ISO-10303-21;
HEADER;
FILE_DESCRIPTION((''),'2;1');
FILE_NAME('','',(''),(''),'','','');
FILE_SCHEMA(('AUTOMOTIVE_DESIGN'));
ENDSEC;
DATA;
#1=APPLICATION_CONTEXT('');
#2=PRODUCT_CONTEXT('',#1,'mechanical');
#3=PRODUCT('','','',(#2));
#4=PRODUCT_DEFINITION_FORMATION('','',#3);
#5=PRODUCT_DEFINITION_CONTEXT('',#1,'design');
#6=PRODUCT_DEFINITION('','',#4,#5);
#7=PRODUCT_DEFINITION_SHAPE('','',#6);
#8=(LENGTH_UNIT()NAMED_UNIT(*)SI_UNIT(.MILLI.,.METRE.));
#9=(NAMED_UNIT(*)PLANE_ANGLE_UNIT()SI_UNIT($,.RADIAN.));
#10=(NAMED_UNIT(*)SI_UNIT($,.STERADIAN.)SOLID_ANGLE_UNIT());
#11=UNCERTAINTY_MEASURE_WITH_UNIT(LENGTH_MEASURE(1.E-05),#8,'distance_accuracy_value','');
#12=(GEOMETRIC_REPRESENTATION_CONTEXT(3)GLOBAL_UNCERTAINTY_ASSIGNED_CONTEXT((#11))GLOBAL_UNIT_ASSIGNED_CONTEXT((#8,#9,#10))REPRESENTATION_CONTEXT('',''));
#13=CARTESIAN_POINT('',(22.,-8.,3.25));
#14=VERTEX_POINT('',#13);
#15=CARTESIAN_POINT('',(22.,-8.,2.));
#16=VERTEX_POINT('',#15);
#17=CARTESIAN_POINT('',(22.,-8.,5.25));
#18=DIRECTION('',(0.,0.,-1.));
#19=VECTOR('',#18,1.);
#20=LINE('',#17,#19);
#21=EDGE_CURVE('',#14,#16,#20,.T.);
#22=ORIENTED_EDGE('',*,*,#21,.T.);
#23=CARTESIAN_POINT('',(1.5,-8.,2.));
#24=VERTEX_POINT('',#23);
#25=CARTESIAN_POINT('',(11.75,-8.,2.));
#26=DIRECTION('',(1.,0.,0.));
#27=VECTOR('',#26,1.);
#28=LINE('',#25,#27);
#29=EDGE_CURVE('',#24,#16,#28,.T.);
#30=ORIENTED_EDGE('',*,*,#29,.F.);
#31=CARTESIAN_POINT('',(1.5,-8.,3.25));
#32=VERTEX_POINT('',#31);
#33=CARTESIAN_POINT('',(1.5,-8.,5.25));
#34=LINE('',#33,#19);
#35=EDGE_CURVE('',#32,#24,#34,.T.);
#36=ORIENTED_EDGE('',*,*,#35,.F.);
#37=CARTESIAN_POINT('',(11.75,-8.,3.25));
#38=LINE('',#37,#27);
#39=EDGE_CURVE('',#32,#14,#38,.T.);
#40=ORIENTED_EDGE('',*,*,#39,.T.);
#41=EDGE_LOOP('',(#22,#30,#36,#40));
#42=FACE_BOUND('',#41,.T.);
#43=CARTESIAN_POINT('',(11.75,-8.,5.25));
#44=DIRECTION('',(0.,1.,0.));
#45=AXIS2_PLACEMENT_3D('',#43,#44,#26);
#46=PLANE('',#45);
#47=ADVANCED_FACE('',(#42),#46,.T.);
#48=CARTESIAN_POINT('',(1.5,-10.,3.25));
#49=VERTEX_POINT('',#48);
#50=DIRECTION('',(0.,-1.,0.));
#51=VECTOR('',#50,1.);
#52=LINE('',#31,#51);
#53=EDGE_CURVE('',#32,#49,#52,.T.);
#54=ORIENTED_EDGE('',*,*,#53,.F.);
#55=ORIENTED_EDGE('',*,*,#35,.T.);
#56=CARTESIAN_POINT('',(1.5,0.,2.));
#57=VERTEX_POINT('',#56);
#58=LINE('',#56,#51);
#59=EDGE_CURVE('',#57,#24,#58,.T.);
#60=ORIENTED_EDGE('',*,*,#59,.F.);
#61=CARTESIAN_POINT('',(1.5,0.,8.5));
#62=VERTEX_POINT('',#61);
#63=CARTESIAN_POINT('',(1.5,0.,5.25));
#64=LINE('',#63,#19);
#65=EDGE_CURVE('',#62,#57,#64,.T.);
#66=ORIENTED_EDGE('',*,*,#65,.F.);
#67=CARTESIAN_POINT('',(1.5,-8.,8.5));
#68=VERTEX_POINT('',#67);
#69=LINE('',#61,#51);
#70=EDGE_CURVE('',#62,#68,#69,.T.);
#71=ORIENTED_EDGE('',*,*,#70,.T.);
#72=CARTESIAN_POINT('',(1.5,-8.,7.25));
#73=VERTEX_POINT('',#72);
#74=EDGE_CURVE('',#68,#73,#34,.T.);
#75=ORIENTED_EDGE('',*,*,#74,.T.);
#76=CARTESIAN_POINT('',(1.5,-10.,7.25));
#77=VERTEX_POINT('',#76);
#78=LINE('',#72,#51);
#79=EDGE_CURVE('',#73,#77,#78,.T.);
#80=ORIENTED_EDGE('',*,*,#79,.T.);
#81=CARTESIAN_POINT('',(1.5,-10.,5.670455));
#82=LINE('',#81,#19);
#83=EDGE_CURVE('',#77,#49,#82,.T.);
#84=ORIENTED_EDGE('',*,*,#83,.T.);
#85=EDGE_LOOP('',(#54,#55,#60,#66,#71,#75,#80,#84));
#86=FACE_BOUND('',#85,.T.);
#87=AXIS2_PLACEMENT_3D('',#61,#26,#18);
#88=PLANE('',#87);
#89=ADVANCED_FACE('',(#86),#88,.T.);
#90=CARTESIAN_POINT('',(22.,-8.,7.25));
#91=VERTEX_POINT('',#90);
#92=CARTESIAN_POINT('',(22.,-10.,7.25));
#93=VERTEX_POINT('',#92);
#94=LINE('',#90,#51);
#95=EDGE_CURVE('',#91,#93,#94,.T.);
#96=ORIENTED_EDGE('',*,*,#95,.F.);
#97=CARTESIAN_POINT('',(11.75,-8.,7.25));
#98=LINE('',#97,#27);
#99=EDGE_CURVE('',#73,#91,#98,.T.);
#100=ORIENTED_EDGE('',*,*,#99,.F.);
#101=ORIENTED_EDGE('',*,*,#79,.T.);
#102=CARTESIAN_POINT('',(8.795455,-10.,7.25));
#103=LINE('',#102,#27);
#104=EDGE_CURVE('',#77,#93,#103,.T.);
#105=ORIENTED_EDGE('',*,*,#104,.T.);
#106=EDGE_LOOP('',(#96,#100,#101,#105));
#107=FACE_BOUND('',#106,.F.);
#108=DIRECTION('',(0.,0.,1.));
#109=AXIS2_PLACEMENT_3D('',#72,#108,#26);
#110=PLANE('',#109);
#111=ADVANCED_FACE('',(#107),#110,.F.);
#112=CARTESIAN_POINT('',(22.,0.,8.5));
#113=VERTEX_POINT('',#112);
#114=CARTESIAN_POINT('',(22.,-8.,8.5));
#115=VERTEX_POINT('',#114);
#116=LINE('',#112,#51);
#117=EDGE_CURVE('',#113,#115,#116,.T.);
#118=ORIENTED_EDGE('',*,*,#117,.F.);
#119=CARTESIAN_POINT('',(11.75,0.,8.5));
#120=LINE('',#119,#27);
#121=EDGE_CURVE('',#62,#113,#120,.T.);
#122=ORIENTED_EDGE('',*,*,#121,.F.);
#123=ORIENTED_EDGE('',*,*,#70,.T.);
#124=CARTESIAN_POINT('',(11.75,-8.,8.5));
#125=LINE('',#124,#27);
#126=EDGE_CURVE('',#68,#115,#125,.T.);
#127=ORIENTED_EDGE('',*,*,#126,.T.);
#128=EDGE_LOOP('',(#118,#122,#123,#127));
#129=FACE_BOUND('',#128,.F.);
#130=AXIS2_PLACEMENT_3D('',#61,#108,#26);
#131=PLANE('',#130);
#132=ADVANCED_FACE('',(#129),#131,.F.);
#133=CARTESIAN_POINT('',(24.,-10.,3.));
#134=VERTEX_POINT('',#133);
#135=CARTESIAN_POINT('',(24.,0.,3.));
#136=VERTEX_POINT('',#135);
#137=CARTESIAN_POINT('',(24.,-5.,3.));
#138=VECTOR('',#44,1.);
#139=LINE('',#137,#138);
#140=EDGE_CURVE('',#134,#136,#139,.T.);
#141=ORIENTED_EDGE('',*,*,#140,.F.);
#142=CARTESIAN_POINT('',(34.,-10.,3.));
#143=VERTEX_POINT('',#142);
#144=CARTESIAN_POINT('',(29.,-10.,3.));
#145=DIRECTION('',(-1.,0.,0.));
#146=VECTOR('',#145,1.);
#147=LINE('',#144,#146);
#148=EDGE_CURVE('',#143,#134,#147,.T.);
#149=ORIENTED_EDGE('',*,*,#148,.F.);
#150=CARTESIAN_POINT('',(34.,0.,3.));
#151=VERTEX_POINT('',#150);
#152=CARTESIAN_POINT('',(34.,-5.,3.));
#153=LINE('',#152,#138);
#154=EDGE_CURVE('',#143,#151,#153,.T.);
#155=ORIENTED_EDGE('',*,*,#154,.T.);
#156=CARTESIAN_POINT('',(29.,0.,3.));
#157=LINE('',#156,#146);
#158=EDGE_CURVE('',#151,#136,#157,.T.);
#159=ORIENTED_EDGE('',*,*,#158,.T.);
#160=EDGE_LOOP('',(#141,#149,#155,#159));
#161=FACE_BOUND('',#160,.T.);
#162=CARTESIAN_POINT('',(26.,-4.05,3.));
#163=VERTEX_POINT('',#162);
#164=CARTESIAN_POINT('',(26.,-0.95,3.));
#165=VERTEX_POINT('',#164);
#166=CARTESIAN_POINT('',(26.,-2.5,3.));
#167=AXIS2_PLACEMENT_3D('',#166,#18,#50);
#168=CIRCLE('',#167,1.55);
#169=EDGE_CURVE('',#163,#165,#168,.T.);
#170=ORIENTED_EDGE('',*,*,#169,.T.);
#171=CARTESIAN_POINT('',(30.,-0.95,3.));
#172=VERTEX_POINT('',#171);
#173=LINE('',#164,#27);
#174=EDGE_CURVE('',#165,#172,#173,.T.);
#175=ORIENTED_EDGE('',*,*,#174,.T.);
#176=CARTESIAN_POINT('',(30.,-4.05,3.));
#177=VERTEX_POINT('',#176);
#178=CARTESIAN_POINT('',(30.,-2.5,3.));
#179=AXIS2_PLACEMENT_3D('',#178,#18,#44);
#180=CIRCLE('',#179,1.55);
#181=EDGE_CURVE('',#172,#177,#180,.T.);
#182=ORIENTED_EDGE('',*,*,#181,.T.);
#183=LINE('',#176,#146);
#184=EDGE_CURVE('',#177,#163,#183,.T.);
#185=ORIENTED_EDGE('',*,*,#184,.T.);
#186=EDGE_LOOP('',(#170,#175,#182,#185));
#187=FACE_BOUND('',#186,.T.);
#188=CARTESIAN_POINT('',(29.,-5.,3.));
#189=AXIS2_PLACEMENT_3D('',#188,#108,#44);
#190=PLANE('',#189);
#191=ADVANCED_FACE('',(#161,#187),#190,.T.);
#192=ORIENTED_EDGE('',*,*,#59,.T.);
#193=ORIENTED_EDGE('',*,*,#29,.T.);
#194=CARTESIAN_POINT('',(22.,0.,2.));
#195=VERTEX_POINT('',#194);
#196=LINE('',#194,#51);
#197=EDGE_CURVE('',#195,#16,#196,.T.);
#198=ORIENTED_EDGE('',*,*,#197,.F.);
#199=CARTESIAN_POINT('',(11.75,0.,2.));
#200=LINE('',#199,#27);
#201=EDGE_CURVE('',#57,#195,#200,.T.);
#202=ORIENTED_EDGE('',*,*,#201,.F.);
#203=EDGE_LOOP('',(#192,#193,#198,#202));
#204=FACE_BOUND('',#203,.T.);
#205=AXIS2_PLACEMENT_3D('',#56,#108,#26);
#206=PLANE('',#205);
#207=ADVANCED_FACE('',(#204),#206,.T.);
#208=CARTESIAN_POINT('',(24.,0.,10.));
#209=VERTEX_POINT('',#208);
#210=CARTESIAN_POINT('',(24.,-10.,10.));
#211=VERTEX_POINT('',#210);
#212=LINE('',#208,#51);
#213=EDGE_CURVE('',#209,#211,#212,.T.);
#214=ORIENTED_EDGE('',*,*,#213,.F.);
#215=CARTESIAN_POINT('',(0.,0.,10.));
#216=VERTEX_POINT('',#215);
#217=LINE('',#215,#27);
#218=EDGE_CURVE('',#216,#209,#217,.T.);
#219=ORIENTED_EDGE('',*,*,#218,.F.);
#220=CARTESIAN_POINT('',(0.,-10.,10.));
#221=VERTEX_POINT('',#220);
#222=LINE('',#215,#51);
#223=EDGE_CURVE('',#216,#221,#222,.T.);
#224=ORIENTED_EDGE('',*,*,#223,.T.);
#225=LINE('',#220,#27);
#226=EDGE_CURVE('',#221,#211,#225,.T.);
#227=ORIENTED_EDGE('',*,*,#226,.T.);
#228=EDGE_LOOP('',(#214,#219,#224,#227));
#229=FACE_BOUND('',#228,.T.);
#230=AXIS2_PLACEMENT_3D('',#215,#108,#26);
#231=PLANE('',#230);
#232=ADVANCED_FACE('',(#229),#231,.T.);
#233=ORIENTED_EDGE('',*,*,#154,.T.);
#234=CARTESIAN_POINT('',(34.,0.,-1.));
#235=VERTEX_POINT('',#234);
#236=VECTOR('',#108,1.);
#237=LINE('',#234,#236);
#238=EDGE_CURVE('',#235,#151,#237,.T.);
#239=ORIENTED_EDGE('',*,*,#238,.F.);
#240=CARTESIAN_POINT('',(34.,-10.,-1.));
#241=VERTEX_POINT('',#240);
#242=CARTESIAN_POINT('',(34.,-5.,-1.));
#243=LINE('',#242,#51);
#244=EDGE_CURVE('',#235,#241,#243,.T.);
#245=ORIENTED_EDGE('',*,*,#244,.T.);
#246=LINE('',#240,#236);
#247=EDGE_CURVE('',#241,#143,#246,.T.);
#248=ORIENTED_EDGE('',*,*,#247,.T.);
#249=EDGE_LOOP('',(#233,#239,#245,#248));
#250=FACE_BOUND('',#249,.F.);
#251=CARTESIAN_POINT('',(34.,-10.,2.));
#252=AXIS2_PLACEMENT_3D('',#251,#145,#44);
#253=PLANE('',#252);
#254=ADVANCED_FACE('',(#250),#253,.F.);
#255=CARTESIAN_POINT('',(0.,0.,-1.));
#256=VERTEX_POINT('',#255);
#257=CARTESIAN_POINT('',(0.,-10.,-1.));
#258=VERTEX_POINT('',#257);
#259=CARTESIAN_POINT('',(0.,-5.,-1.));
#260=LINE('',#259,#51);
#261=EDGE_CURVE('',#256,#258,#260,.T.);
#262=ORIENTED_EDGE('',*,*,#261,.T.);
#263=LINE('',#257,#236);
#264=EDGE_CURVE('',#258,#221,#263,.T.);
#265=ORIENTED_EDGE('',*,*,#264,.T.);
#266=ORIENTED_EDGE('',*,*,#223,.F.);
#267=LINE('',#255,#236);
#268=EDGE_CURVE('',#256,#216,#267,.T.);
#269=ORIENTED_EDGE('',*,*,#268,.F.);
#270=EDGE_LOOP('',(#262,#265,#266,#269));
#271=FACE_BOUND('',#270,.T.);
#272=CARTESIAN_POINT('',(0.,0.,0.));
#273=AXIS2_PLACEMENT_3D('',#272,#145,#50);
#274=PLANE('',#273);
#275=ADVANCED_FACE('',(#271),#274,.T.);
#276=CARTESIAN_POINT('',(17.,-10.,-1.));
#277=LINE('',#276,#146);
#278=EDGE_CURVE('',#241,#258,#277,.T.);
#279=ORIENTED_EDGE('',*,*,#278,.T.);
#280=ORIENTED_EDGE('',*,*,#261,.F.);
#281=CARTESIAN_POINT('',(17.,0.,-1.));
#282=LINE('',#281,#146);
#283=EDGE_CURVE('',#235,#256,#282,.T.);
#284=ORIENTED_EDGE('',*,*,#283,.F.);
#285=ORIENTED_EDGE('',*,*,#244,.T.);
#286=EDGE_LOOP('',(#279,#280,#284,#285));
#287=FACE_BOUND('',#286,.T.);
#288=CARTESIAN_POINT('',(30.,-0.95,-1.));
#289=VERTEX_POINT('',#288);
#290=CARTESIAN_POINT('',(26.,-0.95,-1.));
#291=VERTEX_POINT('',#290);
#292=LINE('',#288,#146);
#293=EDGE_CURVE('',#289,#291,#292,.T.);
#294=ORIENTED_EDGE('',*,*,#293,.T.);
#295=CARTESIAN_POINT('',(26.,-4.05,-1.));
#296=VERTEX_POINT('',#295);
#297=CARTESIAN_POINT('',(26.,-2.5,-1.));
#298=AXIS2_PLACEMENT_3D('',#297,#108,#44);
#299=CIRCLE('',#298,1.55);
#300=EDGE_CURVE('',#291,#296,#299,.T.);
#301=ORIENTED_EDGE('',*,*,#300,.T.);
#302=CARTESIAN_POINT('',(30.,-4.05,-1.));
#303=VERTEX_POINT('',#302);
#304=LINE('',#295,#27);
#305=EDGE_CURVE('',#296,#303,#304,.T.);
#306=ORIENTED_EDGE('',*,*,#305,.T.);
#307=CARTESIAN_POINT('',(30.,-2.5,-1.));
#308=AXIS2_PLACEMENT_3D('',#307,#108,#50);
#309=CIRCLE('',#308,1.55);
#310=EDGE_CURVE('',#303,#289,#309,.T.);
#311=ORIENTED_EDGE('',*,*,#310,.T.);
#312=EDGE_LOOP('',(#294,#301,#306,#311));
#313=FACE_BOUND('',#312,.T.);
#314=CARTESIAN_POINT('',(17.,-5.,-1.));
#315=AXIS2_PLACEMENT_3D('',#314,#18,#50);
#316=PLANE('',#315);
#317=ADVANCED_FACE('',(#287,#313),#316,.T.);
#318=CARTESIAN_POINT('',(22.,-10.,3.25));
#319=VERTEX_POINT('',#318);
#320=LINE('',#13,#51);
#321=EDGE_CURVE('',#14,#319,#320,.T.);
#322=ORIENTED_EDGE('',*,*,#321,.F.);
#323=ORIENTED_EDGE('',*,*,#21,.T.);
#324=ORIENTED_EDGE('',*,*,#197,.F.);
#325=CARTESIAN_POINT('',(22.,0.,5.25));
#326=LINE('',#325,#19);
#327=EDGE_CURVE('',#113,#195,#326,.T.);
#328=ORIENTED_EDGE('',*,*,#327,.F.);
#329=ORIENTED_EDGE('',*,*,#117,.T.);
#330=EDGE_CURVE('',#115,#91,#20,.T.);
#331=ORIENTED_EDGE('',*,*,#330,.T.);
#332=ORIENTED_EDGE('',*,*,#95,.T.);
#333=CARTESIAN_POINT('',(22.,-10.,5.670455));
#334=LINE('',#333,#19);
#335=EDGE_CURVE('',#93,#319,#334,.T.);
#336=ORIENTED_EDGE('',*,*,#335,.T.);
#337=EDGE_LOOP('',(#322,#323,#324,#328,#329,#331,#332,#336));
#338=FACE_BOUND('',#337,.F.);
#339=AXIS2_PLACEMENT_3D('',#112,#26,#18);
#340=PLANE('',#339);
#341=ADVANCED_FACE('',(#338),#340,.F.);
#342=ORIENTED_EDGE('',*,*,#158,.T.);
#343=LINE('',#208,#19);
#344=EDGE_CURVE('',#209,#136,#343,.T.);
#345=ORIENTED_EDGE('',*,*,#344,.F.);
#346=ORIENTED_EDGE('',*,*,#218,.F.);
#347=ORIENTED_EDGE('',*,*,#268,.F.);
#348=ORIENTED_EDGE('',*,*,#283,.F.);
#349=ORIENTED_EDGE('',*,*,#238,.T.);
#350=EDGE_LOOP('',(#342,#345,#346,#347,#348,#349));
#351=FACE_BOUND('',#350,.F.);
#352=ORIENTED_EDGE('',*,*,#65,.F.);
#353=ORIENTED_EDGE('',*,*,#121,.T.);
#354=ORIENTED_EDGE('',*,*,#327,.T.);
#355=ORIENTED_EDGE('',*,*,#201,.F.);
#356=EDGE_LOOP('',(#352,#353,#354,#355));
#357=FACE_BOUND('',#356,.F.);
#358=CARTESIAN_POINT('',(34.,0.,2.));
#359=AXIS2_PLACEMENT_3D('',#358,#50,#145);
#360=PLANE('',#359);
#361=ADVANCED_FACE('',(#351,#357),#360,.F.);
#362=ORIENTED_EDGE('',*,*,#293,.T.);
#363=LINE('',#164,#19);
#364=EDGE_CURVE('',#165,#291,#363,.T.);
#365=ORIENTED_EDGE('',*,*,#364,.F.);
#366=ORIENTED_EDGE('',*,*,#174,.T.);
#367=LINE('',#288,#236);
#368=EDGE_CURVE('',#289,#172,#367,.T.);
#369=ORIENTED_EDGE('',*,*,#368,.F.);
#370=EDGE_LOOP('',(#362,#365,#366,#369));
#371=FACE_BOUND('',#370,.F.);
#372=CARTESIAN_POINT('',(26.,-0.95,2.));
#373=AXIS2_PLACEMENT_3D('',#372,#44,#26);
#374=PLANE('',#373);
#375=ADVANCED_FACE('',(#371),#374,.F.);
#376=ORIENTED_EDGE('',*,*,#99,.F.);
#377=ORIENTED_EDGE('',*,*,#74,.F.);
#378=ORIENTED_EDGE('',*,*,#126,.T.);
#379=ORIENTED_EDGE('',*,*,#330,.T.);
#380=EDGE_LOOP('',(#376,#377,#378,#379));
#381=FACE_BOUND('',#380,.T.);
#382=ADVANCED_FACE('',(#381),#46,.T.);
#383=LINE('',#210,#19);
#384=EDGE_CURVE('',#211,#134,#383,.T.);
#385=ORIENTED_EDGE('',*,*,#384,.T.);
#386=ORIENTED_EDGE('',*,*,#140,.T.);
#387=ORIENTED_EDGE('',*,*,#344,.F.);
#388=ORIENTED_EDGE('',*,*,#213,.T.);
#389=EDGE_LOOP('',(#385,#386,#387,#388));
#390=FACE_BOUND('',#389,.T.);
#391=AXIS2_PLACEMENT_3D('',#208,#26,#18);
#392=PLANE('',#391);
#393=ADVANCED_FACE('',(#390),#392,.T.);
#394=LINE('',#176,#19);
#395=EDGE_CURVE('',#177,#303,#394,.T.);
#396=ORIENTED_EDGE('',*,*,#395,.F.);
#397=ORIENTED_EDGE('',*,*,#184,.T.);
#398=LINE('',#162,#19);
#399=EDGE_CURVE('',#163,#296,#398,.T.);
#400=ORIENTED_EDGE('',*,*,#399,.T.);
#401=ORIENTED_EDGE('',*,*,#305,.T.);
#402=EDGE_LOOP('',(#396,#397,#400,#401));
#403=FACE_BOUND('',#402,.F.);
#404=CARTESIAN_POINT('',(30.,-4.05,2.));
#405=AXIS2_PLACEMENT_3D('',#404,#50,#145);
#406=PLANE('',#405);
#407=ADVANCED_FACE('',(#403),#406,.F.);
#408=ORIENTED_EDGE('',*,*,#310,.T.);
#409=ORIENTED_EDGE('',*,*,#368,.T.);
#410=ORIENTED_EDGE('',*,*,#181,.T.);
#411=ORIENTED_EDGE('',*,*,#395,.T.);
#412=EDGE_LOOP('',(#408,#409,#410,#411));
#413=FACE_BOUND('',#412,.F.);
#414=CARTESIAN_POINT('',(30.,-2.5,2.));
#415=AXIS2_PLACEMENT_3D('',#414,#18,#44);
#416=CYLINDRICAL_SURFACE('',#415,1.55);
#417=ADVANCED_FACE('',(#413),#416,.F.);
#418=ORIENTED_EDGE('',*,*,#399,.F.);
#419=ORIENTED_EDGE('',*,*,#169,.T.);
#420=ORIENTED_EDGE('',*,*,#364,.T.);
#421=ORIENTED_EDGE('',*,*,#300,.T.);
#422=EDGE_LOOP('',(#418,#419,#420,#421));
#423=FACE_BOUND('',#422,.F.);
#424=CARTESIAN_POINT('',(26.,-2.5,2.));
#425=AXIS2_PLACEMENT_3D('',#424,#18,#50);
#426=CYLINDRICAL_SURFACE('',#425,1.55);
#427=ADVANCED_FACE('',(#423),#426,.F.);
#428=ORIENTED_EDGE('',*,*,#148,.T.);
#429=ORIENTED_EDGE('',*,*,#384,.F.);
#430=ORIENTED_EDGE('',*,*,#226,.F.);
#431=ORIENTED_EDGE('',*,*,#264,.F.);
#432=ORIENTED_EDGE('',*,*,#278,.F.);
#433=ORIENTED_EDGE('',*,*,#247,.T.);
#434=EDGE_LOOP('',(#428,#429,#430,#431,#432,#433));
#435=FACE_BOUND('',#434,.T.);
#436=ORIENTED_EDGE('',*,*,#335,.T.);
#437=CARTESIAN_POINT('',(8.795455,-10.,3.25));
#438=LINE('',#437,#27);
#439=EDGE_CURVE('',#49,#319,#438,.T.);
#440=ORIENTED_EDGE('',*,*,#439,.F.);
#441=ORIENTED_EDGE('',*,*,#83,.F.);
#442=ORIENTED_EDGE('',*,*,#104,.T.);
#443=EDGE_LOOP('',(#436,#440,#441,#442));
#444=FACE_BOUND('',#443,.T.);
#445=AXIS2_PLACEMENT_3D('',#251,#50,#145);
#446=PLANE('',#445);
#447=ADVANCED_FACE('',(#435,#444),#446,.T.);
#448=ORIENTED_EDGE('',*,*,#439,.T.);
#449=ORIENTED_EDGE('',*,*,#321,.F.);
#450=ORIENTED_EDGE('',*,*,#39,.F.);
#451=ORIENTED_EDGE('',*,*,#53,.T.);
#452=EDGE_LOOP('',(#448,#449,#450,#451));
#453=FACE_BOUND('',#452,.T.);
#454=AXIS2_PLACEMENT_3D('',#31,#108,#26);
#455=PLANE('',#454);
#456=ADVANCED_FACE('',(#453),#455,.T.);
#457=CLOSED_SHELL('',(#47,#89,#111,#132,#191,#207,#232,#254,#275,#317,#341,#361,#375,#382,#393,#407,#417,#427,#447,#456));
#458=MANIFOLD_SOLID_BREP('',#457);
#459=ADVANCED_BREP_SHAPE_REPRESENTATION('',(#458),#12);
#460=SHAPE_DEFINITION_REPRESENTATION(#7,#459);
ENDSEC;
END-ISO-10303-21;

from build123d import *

# Parameters (mm, degrees)
PAD_DEPTH         = 10
SKETCH001_W       = 20.5
SKETCH001_H       = 6.5
POCKET_DEPTH      = 8
SKETCH002_W       = 20.5
SKETCH002_H       = 4
POCKET001_DEPTH   = 5
POCKET002_DEPTH   = 5
POCKET002_FACE1_W = 10
POCKET002_FACE1_H = 34
PAD001_DEPTH      = 1
PAD001_FACE3_W    = 10
PAD001_FACE3_H    = 10
PAD002_DEPTH      = 1


with BuildPart() as part:
    # Sketch → Pad (new body)
    with BuildSketch(Plane.XZ):
        Polygon((0, 10), (24, 10), (24, 2), (34, 2), (34, 0), (0, 0), align=None)
    extrude(amount=PAD_DEPTH)

    # Sketch001 (on Face7 of Pad) → Pocket (cut)
    with BuildSketch(Plane(origin=(0, 0, 0), x_dir=(1, 0, 0), z_dir=(0, 1, 0))):
        with Locations((11.75, -5.25)):
            Rectangle(SKETCH001_W, SKETCH001_H)
    extrude(amount=-POCKET_DEPTH, mode=Mode.SUBTRACT)

    # Sketch002 (on Face13 of Pocket) → Pocket001 (cut)
    with BuildSketch(Plane(origin=(0, -8, 0), x_dir=(1, 0, 0), z_dir=(0, 1, 0))):
        with Locations((11.75, -5.25)):
            Rectangle(SKETCH002_W, SKETCH002_H)
    extrude(amount=-POCKET001_DEPTH, mode=Mode.SUBTRACT)

    # Sketch003 (on Face6 of Pocket001) → Pocket002 (cut)
    with BuildSketch(Plane(origin=(0, 0, 2), x_dir=(-1, 0, 0), z_dir=(0, 0, 1))):
        with BuildLine():
            ThreePointArc((-30, 4.05), (-31.55, 2.5), (-30, 0.95))
            Line((-30, 0.95), (-26, 0.95))
            ThreePointArc((-26, 0.95), (-24.45, 2.5), (-26, 4.05))
            Line((-26, 4.05), (-30, 4.05))
        make_face()
    extrude(amount=-POCKET002_DEPTH, mode=Mode.SUBTRACT)

    # Pocket002 Face1 → Pad001 (add)
    with BuildSketch(Plane(origin=(16.314411, -5.155816, 0), x_dir=(0, -1, 0), z_dir=(0, 0, -1))):
        with Locations((-0.155816, -0.685589)):
            Rectangle(POCKET002_FACE1_W, POCKET002_FACE1_H)
        with BuildLine():
            Line((-1.105816, -9.685589), (-1.105816, -13.685589))
            ThreePointArc((-1.105816, -13.685589), (-2.655816, -15.235589), (-4.205816, -13.685589))
            Line((-4.205816, -13.685589), (-4.205816, -9.685589))
            ThreePointArc((-4.205816, -9.685589), (-2.655816, -8.135589), (-1.105816, -9.685589))
        make_face(mode=Mode.SUBTRACT)
    extrude(amount=PAD001_DEPTH)

    # Pad001 Face3 → Pad002 (add)
    with BuildSketch(Plane(origin=(29.249183, -5.622957, 2), x_dir=(0, 1, 0), z_dir=(0, 0, 1))):
        with Locations((0.622957, 0.249183)):
            Rectangle(PAD001_FACE3_W, PAD001_FACE3_H)
        with BuildLine():
            ThreePointArc((4.672957, -0.750817), (3.122957, -2.300817), (1.572957, -0.750817))
            Line((1.572957, -0.750817), (1.572957, 3.249183))
            ThreePointArc((1.572957, 3.249183), (3.122957, 4.799183), (4.672957, 3.249183))
            Line((4.672957, 3.249183), (4.672957, -0.750817))
        make_face(mode=Mode.SUBTRACT)
    extrude(amount=PAD002_DEPTH)


solid = part.part
